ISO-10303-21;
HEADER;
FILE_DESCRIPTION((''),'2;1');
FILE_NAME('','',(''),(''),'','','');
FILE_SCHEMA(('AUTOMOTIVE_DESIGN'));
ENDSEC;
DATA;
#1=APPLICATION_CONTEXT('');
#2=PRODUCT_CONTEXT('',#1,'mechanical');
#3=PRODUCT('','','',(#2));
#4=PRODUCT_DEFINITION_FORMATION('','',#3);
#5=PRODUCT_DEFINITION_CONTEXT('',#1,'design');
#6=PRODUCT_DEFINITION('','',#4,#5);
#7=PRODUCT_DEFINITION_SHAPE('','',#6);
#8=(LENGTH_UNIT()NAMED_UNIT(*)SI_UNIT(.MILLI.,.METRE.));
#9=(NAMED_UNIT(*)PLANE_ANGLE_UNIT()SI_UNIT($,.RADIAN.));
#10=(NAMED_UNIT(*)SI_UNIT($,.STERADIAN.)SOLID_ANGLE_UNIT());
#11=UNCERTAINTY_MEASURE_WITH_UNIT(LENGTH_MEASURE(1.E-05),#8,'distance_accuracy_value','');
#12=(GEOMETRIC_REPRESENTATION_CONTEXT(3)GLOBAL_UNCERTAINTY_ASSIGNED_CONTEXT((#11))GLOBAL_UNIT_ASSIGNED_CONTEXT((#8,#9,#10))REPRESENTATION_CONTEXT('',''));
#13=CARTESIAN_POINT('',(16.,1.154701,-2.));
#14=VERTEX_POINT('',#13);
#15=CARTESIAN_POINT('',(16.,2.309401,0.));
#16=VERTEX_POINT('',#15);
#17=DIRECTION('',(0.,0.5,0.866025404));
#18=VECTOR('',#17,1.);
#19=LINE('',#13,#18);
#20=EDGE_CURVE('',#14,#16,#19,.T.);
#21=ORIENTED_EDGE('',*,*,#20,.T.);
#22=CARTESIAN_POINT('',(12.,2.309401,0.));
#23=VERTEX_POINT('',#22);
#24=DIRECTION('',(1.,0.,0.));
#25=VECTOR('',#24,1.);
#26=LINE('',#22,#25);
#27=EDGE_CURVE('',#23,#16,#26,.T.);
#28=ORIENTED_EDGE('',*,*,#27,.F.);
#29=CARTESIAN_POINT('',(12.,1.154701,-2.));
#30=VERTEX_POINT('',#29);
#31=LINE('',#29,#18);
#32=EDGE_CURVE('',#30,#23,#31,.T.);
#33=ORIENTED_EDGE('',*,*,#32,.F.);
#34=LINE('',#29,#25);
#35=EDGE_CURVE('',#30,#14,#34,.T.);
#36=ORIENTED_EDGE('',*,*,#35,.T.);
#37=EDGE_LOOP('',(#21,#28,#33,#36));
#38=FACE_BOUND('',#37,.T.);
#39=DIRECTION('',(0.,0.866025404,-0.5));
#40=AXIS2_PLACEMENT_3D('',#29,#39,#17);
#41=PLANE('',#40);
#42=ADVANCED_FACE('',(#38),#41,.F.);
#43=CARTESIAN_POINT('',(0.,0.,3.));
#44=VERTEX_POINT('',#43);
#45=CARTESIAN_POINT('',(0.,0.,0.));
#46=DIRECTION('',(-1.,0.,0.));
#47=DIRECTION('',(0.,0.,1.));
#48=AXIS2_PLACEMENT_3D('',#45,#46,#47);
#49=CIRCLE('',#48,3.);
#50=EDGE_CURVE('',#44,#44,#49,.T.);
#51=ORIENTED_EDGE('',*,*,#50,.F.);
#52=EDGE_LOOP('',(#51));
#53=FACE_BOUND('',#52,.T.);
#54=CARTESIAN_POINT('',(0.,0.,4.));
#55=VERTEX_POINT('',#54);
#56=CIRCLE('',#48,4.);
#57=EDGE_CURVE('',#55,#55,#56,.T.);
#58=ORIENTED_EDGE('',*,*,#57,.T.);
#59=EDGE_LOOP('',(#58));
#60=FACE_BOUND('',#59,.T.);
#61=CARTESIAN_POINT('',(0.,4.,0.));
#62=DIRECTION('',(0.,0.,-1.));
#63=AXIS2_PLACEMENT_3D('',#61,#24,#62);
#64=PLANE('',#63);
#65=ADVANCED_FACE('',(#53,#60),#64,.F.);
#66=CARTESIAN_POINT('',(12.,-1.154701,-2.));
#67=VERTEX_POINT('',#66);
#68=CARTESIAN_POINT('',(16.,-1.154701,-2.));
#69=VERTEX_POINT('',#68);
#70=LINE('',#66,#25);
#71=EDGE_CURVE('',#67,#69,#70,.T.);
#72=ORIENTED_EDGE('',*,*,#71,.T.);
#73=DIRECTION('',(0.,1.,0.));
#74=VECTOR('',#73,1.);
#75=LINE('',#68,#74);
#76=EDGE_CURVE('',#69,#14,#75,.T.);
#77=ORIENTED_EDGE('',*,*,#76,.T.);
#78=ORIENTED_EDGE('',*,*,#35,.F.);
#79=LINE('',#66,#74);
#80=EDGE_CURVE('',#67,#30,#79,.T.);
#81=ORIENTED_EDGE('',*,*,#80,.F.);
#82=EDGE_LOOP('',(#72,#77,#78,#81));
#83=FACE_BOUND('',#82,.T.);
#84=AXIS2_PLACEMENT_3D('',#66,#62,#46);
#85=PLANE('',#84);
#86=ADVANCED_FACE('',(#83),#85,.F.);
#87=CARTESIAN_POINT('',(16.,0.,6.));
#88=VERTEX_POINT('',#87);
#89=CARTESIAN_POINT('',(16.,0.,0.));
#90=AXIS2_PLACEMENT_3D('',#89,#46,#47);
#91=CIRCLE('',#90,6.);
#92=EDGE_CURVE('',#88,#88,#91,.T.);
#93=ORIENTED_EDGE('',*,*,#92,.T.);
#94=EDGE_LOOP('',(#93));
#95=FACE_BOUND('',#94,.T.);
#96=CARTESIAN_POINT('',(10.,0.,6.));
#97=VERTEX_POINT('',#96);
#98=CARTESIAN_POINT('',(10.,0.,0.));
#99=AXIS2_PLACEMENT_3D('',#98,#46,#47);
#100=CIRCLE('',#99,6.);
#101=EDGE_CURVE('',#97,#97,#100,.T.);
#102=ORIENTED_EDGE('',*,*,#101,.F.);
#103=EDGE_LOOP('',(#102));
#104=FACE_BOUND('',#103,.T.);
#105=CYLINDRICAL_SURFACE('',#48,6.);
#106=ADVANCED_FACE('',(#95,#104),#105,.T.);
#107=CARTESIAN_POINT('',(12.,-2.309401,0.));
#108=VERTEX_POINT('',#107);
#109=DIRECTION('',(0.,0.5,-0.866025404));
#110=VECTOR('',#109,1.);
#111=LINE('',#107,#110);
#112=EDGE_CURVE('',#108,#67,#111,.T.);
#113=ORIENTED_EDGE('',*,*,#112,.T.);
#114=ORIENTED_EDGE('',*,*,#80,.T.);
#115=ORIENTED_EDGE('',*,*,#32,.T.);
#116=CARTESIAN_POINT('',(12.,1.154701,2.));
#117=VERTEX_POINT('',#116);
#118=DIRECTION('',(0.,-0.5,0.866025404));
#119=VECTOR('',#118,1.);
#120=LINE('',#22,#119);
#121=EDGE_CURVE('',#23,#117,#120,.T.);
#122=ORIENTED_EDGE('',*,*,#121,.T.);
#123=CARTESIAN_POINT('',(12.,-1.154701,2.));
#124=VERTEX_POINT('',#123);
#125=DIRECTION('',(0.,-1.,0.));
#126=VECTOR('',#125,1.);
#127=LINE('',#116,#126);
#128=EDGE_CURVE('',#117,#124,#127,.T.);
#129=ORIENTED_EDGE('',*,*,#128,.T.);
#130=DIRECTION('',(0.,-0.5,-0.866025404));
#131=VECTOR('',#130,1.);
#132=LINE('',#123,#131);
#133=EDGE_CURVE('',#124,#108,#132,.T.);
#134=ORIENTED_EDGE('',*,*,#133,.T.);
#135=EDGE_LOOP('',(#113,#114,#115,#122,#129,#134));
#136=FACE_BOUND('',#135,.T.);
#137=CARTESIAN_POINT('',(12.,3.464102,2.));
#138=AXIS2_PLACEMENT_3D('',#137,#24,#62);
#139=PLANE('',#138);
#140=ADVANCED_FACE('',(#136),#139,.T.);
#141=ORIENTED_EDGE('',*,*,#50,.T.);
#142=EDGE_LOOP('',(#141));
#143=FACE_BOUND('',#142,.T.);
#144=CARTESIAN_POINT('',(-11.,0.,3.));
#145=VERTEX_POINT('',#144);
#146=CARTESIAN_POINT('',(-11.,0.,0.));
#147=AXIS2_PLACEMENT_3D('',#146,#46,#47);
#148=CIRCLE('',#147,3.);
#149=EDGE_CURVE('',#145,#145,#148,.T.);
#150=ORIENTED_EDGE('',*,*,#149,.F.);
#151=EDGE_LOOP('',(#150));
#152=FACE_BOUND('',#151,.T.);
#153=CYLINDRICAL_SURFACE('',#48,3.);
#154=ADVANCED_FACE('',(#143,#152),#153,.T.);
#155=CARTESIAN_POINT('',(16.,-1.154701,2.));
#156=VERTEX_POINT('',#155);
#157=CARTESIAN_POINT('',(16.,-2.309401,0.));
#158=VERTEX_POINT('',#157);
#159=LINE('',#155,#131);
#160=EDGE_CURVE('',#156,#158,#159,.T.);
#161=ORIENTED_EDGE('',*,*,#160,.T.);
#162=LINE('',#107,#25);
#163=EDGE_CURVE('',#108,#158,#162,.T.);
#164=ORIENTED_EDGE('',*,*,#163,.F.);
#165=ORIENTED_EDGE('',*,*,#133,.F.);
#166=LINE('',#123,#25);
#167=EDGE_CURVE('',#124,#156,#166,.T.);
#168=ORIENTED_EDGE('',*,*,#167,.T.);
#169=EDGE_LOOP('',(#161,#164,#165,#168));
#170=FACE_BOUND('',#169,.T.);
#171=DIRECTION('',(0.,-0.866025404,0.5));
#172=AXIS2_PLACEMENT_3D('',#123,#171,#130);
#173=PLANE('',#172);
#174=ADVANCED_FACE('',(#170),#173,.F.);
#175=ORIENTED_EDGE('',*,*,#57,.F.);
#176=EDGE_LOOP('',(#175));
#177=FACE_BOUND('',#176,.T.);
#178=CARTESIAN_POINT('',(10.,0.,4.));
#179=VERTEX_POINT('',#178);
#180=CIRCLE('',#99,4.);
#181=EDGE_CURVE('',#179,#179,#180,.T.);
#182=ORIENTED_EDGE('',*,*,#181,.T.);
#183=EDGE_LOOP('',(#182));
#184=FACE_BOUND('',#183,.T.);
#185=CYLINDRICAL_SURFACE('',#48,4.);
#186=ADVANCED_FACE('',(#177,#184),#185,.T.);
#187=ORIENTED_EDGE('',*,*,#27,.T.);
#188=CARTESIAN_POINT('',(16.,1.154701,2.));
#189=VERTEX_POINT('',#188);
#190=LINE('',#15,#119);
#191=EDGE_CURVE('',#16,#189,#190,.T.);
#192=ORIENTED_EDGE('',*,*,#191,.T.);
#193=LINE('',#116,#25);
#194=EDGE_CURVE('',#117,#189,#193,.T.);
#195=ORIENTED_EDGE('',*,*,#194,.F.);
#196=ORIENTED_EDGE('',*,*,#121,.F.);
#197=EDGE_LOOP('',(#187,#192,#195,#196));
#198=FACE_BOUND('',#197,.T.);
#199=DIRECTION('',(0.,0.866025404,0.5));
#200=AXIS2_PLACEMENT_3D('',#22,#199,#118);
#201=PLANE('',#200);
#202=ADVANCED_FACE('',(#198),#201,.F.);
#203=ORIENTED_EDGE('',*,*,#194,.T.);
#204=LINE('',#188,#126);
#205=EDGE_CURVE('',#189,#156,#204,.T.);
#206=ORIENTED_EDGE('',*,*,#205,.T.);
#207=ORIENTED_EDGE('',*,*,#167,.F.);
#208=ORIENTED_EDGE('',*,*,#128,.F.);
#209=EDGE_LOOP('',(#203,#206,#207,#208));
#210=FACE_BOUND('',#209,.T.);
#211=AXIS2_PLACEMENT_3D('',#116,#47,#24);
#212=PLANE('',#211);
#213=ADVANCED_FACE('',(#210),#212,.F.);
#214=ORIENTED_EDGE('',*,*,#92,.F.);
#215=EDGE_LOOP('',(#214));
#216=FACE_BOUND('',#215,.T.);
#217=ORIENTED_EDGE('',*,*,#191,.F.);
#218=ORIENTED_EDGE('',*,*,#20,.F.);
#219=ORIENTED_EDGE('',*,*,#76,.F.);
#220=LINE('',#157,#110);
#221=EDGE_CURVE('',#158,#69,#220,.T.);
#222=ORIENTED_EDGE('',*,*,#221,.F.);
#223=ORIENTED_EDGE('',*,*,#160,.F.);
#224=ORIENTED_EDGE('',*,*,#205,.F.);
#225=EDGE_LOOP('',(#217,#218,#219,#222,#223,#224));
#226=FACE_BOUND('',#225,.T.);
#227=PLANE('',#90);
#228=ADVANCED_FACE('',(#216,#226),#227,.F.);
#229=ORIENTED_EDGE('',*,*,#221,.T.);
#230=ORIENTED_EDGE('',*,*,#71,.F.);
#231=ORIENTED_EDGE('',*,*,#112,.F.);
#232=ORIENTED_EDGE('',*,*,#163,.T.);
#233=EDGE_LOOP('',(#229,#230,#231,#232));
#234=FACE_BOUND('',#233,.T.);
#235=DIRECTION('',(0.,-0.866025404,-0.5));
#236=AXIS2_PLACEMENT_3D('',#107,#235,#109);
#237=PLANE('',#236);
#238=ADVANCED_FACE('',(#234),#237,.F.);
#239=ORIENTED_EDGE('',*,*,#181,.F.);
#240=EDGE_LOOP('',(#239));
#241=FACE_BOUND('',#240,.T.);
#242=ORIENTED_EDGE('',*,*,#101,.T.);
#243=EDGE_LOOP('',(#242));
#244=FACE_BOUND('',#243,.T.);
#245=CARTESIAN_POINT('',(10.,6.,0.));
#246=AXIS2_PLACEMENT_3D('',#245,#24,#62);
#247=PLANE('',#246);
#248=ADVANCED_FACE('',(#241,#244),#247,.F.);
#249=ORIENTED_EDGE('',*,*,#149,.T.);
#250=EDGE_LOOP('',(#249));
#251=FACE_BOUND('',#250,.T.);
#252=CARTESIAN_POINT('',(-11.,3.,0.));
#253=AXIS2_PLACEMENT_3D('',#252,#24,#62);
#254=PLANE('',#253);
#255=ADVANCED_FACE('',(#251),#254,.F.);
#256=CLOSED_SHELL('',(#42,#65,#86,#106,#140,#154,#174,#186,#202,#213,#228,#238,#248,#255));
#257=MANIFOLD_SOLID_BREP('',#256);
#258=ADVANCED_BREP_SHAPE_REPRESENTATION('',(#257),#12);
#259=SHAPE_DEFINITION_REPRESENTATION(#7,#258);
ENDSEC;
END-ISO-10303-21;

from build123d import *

# Parameters (mm, degrees)
CUT_EXTRUDE1_DEPTH = 4


with BuildPart() as part:
    # Sketch1 → Revolve1 (revolve)
    with BuildSketch(Plane.XY, mode=Mode.PRIVATE) as revolve1_sk:
        Polygon((16, 0), (16, 6), (10, 6), (10, 4), (0, 4), (0, 3), (-11, 3), (-11, 0), align=None)
    revolve(revolve1_sk.sketch.rotate(Axis((0, 0, 0), (1, 0, 0)), 90), axis=Axis((0, 0, 0), (1, 0, 0)))

    # Sketch2 → Cut-Extrude1 (cut)
    with BuildSketch(Plane(origin=(16, 0, 0), x_dir=(0, 0, -1), z_dir=(1, 0, 0))):
        Polygon((0, 2.309401077), (-2, 1.154700538), (-2, -1.154700538), (0, -2.309401077), (2, -1.154700538), (2, 1.154700538), align=None)
    extrude(amount=-CUT_EXTRUDE1_DEPTH, mode=Mode.SUBTRACT)


solid = part.part
